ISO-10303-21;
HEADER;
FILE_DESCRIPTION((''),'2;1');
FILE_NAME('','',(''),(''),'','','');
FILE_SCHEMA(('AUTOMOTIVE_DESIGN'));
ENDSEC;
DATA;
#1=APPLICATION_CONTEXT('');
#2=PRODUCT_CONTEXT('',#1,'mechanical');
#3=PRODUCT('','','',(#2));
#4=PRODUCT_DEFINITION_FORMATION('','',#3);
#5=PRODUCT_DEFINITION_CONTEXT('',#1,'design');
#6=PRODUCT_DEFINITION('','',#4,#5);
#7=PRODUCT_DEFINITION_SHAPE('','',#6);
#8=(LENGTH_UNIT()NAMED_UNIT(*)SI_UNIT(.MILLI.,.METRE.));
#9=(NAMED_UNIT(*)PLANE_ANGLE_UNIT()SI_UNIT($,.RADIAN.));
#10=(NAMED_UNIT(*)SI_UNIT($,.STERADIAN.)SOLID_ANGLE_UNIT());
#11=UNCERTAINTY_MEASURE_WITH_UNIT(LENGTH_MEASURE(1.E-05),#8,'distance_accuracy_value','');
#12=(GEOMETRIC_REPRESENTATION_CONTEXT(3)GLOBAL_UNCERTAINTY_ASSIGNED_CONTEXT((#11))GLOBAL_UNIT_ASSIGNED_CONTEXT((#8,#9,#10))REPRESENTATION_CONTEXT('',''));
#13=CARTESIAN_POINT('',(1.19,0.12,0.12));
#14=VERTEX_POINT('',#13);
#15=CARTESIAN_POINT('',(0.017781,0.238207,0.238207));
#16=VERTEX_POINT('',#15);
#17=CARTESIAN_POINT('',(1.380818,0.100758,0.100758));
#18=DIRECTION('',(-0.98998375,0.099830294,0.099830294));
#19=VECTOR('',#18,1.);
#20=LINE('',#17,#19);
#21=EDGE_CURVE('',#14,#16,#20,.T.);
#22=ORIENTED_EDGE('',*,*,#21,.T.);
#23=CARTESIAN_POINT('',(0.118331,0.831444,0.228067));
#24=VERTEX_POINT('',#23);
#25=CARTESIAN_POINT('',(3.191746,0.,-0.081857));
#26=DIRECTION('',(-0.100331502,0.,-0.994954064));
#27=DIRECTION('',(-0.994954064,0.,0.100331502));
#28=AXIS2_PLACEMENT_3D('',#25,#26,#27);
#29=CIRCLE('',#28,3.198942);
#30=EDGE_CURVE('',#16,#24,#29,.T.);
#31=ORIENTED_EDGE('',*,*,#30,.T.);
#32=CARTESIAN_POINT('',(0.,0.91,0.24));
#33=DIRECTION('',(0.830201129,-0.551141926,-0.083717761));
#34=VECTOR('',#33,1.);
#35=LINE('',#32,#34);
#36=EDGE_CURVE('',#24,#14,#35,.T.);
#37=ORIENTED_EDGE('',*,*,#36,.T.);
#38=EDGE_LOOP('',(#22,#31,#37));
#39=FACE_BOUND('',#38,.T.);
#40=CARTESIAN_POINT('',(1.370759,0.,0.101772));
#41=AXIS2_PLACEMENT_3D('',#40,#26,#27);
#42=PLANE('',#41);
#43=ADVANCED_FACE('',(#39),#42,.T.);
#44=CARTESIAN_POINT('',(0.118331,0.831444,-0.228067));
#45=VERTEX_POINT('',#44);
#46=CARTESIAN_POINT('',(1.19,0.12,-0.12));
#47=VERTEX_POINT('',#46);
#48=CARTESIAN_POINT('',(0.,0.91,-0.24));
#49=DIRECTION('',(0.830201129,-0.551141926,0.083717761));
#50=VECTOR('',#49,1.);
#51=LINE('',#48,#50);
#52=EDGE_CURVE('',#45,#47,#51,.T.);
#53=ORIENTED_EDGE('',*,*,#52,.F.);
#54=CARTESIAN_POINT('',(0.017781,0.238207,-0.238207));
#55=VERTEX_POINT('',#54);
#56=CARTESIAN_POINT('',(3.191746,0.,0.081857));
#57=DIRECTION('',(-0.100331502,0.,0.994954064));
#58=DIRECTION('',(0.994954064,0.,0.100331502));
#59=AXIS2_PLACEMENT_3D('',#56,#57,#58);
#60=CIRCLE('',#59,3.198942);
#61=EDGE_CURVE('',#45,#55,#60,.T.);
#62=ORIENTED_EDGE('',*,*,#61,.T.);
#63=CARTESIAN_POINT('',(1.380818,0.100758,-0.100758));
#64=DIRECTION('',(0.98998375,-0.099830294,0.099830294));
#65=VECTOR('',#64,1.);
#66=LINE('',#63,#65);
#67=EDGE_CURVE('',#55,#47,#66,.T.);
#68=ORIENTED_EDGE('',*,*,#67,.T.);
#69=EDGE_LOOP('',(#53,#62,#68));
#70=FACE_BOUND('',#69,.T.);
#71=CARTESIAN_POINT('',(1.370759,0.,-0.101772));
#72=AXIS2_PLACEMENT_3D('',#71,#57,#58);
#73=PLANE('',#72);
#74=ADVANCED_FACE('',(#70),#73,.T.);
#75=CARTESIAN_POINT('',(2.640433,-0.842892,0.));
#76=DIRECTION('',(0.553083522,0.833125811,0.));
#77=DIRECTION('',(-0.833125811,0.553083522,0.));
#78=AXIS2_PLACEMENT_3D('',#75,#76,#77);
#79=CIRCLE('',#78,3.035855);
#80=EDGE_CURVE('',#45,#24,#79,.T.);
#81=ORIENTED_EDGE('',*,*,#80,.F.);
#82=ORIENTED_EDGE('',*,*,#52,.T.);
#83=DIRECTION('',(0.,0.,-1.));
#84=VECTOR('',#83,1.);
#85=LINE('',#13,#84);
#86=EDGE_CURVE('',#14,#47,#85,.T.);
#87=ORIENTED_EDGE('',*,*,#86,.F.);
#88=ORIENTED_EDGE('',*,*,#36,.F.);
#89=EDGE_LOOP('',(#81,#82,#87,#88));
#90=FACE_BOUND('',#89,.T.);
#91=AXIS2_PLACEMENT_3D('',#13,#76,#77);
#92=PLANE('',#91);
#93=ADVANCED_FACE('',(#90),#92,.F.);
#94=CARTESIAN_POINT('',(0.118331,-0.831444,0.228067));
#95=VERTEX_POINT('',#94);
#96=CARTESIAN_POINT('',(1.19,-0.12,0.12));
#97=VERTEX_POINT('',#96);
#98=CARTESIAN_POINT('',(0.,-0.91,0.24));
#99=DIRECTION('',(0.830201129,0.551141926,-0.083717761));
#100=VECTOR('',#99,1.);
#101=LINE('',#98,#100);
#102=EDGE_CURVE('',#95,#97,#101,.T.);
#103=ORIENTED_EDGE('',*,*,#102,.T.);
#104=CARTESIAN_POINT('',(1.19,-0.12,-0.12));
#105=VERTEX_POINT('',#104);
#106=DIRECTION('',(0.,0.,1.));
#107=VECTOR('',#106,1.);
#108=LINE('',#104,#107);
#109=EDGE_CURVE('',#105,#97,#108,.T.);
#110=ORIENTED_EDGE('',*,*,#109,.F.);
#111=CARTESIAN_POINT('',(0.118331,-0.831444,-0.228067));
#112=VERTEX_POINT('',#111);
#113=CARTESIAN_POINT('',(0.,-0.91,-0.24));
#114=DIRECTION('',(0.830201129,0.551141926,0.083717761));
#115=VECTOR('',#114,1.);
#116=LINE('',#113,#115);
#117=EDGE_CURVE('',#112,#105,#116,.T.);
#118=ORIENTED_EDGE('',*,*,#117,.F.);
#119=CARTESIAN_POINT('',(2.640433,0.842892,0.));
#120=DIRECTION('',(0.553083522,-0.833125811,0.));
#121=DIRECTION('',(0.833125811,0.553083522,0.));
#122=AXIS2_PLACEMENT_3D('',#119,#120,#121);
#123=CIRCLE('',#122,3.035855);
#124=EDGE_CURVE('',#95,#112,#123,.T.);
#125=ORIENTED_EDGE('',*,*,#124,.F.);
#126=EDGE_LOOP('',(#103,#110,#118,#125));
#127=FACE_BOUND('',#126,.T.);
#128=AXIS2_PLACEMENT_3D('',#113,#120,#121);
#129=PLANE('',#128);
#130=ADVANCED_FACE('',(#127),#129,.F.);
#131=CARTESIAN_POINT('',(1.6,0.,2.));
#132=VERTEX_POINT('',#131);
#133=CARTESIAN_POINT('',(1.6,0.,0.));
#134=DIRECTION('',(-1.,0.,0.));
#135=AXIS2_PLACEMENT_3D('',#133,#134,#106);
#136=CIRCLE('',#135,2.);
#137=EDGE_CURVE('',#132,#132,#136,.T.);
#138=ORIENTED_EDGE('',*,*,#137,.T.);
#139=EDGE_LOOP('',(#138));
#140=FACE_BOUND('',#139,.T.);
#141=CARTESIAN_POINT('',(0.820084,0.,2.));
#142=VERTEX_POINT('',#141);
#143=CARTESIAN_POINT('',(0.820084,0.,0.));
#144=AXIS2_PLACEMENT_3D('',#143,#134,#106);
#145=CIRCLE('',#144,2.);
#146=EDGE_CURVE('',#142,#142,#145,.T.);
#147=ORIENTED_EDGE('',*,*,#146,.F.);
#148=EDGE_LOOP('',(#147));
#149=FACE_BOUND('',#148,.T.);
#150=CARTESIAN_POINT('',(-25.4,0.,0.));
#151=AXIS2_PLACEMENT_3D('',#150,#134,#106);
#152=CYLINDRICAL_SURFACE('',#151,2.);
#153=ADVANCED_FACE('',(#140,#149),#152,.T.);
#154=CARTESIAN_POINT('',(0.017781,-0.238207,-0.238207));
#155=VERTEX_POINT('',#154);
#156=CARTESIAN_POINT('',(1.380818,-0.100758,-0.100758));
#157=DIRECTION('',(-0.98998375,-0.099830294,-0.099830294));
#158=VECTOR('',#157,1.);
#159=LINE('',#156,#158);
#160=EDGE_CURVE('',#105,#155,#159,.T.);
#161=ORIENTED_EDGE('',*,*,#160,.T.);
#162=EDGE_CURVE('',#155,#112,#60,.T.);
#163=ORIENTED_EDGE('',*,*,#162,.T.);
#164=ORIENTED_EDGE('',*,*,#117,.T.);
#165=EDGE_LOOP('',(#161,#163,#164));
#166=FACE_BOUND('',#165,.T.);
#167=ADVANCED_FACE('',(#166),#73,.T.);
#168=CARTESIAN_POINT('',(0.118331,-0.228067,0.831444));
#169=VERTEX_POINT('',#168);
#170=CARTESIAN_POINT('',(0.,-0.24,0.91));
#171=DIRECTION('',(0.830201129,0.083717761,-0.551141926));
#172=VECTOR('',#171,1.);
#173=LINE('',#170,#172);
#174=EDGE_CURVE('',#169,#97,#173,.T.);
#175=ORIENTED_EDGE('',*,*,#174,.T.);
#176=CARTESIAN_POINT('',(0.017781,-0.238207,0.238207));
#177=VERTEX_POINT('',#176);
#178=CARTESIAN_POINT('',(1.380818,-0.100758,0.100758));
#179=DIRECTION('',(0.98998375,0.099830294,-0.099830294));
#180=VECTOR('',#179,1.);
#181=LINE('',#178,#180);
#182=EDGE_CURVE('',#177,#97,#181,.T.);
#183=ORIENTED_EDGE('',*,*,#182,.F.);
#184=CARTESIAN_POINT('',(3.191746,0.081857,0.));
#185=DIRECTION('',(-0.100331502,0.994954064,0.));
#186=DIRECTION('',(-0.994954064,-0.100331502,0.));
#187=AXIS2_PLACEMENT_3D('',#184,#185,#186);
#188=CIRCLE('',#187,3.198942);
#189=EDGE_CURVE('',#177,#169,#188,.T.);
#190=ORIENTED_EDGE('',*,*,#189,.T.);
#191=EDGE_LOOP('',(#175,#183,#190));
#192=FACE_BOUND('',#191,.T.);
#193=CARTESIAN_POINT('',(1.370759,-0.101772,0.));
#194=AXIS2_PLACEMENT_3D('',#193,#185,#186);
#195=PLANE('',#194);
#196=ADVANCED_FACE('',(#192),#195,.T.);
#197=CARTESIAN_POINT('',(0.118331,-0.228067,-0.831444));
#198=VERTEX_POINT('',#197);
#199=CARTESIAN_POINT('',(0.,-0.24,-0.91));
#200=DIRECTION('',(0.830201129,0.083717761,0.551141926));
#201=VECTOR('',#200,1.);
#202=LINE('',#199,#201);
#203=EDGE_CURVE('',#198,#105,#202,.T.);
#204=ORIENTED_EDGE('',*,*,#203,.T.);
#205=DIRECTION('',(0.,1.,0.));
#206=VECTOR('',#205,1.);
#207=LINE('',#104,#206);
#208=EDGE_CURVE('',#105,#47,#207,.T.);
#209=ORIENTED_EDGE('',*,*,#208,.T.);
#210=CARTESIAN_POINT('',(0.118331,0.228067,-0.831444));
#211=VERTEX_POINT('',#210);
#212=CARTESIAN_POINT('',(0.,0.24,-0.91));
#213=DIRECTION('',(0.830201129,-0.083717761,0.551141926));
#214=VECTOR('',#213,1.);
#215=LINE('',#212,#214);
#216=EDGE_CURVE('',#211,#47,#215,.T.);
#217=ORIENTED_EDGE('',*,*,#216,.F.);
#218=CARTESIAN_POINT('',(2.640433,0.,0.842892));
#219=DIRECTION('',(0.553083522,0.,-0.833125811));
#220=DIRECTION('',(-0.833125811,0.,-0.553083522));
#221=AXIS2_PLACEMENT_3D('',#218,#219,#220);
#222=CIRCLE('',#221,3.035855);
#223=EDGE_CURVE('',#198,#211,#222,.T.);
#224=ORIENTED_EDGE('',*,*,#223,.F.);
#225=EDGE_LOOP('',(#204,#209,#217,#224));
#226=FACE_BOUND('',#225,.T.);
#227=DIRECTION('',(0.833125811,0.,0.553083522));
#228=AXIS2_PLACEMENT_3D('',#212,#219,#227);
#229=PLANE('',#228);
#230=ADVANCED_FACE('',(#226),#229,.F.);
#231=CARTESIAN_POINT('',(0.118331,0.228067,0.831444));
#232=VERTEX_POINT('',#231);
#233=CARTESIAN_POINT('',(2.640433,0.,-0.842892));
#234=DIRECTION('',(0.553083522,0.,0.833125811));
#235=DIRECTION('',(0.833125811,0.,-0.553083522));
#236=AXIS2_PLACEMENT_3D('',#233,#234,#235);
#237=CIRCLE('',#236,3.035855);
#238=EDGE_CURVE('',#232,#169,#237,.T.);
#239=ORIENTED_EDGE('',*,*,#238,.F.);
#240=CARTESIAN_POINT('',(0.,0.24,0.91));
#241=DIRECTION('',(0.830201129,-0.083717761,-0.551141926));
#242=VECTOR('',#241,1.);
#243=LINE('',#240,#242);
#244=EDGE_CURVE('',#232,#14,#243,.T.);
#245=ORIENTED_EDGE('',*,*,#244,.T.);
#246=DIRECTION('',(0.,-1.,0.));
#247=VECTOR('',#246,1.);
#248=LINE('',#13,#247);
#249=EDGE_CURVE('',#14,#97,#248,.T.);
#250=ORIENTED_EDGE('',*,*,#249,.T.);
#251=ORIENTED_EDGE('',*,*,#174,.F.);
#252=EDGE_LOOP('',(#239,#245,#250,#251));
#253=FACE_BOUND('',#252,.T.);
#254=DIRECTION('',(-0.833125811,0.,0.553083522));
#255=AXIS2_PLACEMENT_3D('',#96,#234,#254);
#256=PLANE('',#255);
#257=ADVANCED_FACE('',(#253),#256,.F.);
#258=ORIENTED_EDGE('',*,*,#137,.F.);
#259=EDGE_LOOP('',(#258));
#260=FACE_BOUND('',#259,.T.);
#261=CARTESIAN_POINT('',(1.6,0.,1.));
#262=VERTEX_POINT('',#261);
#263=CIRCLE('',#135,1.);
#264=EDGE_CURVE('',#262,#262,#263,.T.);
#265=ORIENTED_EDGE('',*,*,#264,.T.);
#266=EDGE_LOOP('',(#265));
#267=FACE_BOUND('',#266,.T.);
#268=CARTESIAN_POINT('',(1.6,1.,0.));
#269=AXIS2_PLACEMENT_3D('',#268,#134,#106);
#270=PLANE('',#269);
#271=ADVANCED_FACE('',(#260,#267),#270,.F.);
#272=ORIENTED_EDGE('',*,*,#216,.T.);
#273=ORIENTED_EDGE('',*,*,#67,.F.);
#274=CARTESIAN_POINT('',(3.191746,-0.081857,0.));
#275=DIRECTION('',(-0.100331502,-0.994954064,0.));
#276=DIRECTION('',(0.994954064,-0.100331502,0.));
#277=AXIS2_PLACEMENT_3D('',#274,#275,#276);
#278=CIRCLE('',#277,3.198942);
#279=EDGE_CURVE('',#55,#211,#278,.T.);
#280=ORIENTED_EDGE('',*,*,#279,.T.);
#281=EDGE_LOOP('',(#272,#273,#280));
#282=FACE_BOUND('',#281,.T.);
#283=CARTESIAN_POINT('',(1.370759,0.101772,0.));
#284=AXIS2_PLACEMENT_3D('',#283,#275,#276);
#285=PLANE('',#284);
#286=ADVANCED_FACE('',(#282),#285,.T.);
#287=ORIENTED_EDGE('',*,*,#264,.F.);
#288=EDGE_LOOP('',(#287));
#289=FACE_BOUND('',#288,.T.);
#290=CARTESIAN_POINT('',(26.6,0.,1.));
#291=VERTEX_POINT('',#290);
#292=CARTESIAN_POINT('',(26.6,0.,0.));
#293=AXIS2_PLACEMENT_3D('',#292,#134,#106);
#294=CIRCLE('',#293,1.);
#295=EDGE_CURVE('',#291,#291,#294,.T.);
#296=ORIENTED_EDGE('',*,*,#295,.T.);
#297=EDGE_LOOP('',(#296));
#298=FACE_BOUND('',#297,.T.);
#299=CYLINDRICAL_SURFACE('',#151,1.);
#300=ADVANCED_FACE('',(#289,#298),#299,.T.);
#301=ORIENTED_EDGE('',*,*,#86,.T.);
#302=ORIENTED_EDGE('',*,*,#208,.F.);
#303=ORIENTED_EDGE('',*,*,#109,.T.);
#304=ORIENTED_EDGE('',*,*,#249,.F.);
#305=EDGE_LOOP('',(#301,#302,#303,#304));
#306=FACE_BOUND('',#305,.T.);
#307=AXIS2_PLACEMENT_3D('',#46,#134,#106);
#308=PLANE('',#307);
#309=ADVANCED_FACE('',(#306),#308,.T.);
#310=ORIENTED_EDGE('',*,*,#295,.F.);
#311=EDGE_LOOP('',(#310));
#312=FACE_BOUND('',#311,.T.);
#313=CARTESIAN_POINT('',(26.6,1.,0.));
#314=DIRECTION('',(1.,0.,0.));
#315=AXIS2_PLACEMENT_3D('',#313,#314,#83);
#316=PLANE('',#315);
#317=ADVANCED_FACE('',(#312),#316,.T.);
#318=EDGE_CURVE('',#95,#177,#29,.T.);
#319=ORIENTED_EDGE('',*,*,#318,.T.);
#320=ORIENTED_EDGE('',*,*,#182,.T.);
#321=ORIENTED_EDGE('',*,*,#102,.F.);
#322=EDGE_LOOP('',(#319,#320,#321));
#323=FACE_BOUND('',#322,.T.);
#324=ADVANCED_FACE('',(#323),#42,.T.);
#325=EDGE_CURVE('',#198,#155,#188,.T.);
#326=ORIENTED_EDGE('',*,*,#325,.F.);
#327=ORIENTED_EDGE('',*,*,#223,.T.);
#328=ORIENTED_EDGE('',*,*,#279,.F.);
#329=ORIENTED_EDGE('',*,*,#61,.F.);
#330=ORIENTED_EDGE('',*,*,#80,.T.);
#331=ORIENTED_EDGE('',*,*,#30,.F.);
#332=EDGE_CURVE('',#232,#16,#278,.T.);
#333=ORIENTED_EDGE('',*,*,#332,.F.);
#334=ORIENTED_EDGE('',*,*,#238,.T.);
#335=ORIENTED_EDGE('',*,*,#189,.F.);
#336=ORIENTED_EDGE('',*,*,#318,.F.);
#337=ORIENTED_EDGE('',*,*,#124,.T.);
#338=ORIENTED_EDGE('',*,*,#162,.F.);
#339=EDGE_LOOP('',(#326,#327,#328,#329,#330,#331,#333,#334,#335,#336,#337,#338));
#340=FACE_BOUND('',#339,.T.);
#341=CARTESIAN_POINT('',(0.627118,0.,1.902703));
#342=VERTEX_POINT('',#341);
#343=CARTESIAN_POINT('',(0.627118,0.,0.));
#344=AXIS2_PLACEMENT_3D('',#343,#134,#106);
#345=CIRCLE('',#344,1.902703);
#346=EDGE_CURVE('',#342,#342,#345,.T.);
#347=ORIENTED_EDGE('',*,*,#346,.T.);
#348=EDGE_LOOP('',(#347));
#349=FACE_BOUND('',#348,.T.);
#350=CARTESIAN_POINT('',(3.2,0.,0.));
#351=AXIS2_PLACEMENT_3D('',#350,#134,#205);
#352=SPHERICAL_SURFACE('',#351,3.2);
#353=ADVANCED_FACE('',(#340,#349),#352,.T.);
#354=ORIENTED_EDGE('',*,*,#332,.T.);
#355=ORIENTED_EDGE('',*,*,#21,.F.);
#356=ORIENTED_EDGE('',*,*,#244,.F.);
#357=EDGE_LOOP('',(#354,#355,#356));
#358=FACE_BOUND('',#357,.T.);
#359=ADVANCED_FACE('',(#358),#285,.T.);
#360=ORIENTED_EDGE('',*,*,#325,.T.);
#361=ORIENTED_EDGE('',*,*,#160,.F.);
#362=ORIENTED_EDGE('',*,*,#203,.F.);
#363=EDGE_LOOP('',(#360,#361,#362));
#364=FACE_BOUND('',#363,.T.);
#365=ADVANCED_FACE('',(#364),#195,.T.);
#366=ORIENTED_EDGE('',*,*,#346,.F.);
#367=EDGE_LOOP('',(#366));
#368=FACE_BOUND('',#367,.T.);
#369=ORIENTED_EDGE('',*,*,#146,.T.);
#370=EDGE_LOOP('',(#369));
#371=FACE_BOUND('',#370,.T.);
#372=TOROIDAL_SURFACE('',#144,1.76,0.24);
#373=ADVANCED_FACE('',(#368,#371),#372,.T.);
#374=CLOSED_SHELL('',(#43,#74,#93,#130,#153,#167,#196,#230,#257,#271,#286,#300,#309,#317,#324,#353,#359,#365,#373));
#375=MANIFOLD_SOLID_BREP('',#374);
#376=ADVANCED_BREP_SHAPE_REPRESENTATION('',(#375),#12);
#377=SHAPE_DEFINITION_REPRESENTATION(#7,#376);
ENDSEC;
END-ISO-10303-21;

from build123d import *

# Parameters (mm, degrees)
SKETCH3_W         = 0.48
SKETCH3_H         = 1.82
SKETCH4_W         = 0.24
SKETCH4_H         = 0.24
CIRPATTERN1_COUNT = 2
CIRPATTERN1_ANGLE = 90


with BuildPart() as part:
    # BodySke → Base-Revolve (revolve)
    with BuildSketch(Plane.XY):
        with BuildLine():
            Line((1.6, 1), (1.6, 2))
            Line((1.6, 2), (0.820084035, 2))
            ThreePointArc((0.820084035, 2), (0.712029995, 1.974299613), (0.627117876, 1.902702703))
            ThreePointArc((0.627117876, 1.902702703), (0.160820604, 1.001692868), (0, 0))
            Line((0, 0), (26.6, 0))
            Line((26.6, 0), (26.6, 1))
            Line((26.6, 1), (1.6, 1))
        make_face()
    revolve(axis=Axis((-25.4, 0, 0), (1, 0, 0)))

    # Sketch3 → Cut-Loft1 section 0
    with BuildSketch(Plane(origin=(0, 0, 0), x_dir=(0, 0, -1), z_dir=(1, 0, 0))):
        Rectangle(SKETCH3_W, SKETCH3_H)
    # Sketch4 → Cut-Loft1 section 1
    with BuildSketch(Plane(origin=(1.19, 0, 0), x_dir=(0, 0, -1), z_dir=(1, 0, 0))):
        Rectangle(SKETCH4_W, SKETCH4_H)
    cut_loft1 = loft(mode=Mode.SUBTRACT)

    # CirPattern1: Cut-Loft1 ×2 about axis
    cirpattern1_axis = Axis((0, 0, 0), (1, 0, 0))
    for i in range(1, CIRPATTERN1_COUNT):
        add(cut_loft1.rotate(cirpattern1_axis, i * CIRPATTERN1_ANGLE / (CIRPATTERN1_COUNT - 1)), mode=Mode.SUBTRACT)


solid = part.part
